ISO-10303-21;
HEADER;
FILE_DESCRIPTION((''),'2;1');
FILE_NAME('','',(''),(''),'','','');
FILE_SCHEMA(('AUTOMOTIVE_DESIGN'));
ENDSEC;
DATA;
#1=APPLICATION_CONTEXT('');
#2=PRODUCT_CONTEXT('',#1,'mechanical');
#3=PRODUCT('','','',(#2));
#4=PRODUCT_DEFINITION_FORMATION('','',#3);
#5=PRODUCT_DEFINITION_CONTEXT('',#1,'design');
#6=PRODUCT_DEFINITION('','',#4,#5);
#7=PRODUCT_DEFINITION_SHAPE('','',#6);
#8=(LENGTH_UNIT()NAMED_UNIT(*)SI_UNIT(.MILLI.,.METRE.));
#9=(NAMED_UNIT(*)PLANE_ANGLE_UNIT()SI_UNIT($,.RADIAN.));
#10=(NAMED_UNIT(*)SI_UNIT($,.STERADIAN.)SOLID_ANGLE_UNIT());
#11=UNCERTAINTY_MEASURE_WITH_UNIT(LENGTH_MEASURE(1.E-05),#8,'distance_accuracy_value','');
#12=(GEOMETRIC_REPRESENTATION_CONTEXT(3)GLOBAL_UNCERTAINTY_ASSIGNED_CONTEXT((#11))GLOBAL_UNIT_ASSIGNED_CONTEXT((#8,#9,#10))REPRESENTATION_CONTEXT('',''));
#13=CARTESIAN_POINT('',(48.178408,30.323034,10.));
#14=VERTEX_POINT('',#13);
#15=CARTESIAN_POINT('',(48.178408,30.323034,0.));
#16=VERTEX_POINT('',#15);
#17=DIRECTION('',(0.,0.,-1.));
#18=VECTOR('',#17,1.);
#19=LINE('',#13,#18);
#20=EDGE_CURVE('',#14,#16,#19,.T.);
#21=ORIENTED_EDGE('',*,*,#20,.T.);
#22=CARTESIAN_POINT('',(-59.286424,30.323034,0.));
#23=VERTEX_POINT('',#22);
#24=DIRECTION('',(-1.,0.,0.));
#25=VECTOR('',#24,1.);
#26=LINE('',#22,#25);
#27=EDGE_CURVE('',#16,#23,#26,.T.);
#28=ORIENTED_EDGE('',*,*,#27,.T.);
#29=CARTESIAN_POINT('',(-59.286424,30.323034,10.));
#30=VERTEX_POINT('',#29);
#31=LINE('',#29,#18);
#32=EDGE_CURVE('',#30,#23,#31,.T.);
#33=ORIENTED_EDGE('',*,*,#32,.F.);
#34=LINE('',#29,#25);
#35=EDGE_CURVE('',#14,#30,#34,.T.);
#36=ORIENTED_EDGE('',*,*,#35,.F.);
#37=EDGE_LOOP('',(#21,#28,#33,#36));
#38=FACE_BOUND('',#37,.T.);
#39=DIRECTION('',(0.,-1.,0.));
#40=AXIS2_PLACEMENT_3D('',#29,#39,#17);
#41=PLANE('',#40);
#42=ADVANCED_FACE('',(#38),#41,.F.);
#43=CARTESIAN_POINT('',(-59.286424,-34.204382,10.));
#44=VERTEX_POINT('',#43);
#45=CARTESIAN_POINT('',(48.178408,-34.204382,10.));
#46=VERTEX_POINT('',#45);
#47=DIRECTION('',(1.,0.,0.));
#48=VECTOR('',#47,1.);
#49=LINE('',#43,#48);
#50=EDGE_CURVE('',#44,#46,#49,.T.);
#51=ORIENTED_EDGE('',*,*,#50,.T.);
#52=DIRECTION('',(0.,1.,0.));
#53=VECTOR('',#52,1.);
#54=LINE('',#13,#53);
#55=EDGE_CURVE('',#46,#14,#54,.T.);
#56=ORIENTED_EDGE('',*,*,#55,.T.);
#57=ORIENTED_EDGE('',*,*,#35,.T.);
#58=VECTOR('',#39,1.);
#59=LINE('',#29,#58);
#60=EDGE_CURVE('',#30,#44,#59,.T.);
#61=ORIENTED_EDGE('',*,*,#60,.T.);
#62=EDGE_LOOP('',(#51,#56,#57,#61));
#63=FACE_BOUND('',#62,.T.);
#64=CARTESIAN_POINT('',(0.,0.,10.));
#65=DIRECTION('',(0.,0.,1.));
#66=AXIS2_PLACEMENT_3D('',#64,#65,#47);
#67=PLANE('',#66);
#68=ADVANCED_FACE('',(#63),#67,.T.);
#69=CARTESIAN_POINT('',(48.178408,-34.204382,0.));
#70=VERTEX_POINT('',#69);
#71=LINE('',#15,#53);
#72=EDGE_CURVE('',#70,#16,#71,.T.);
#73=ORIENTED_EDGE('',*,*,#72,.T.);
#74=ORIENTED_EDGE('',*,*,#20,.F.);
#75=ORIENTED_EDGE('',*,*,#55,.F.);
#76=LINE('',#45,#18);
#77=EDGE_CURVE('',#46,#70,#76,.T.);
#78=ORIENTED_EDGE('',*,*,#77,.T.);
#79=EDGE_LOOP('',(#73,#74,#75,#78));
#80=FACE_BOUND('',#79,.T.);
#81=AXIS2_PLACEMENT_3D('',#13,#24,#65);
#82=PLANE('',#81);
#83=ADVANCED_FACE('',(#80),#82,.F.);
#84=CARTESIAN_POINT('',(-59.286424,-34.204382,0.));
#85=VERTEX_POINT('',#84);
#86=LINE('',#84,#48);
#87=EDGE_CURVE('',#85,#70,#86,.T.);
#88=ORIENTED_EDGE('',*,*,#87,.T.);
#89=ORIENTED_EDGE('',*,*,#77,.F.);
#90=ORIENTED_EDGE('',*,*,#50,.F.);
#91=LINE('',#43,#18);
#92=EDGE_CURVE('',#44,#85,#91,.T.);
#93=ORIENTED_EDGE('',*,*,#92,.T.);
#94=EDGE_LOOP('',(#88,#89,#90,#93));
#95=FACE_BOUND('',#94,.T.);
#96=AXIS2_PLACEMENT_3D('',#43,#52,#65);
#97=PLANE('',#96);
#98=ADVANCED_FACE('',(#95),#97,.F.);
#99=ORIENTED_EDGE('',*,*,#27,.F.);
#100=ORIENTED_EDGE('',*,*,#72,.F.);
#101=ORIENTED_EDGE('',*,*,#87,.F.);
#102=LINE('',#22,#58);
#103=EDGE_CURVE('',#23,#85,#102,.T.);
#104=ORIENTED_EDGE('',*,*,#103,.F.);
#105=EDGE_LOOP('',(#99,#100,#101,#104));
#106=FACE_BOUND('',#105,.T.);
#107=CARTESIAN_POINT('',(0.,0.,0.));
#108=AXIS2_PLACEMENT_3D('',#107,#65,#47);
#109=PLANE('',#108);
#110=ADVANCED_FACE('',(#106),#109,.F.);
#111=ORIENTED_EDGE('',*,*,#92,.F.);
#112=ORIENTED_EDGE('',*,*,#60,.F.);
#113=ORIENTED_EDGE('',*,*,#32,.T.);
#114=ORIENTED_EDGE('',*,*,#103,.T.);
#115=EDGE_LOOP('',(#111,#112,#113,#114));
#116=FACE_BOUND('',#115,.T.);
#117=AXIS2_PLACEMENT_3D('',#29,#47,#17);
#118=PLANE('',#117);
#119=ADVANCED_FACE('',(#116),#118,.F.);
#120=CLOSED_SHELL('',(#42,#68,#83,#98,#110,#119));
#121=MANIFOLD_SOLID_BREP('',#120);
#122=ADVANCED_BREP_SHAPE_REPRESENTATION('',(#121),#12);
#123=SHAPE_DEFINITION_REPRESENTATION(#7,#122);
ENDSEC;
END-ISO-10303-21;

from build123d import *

# Parameters (mm, degrees)
ESQUISSE1_W        = 107.46483146
ESQUISSE1_H        = 64.52741573
BOSS_EXTRU_1_DEPTH = 10


with BuildPart() as part:
    # Esquisse1 → Boss.-Extru.1 (new body)
    with BuildSketch(Plane.XY):
        with Locations((-5.554008128, -1.940674157)):
            Rectangle(ESQUISSE1_W, ESQUISSE1_H)
    extrude(amount=BOSS_EXTRU_1_DEPTH)


solid = part.part
